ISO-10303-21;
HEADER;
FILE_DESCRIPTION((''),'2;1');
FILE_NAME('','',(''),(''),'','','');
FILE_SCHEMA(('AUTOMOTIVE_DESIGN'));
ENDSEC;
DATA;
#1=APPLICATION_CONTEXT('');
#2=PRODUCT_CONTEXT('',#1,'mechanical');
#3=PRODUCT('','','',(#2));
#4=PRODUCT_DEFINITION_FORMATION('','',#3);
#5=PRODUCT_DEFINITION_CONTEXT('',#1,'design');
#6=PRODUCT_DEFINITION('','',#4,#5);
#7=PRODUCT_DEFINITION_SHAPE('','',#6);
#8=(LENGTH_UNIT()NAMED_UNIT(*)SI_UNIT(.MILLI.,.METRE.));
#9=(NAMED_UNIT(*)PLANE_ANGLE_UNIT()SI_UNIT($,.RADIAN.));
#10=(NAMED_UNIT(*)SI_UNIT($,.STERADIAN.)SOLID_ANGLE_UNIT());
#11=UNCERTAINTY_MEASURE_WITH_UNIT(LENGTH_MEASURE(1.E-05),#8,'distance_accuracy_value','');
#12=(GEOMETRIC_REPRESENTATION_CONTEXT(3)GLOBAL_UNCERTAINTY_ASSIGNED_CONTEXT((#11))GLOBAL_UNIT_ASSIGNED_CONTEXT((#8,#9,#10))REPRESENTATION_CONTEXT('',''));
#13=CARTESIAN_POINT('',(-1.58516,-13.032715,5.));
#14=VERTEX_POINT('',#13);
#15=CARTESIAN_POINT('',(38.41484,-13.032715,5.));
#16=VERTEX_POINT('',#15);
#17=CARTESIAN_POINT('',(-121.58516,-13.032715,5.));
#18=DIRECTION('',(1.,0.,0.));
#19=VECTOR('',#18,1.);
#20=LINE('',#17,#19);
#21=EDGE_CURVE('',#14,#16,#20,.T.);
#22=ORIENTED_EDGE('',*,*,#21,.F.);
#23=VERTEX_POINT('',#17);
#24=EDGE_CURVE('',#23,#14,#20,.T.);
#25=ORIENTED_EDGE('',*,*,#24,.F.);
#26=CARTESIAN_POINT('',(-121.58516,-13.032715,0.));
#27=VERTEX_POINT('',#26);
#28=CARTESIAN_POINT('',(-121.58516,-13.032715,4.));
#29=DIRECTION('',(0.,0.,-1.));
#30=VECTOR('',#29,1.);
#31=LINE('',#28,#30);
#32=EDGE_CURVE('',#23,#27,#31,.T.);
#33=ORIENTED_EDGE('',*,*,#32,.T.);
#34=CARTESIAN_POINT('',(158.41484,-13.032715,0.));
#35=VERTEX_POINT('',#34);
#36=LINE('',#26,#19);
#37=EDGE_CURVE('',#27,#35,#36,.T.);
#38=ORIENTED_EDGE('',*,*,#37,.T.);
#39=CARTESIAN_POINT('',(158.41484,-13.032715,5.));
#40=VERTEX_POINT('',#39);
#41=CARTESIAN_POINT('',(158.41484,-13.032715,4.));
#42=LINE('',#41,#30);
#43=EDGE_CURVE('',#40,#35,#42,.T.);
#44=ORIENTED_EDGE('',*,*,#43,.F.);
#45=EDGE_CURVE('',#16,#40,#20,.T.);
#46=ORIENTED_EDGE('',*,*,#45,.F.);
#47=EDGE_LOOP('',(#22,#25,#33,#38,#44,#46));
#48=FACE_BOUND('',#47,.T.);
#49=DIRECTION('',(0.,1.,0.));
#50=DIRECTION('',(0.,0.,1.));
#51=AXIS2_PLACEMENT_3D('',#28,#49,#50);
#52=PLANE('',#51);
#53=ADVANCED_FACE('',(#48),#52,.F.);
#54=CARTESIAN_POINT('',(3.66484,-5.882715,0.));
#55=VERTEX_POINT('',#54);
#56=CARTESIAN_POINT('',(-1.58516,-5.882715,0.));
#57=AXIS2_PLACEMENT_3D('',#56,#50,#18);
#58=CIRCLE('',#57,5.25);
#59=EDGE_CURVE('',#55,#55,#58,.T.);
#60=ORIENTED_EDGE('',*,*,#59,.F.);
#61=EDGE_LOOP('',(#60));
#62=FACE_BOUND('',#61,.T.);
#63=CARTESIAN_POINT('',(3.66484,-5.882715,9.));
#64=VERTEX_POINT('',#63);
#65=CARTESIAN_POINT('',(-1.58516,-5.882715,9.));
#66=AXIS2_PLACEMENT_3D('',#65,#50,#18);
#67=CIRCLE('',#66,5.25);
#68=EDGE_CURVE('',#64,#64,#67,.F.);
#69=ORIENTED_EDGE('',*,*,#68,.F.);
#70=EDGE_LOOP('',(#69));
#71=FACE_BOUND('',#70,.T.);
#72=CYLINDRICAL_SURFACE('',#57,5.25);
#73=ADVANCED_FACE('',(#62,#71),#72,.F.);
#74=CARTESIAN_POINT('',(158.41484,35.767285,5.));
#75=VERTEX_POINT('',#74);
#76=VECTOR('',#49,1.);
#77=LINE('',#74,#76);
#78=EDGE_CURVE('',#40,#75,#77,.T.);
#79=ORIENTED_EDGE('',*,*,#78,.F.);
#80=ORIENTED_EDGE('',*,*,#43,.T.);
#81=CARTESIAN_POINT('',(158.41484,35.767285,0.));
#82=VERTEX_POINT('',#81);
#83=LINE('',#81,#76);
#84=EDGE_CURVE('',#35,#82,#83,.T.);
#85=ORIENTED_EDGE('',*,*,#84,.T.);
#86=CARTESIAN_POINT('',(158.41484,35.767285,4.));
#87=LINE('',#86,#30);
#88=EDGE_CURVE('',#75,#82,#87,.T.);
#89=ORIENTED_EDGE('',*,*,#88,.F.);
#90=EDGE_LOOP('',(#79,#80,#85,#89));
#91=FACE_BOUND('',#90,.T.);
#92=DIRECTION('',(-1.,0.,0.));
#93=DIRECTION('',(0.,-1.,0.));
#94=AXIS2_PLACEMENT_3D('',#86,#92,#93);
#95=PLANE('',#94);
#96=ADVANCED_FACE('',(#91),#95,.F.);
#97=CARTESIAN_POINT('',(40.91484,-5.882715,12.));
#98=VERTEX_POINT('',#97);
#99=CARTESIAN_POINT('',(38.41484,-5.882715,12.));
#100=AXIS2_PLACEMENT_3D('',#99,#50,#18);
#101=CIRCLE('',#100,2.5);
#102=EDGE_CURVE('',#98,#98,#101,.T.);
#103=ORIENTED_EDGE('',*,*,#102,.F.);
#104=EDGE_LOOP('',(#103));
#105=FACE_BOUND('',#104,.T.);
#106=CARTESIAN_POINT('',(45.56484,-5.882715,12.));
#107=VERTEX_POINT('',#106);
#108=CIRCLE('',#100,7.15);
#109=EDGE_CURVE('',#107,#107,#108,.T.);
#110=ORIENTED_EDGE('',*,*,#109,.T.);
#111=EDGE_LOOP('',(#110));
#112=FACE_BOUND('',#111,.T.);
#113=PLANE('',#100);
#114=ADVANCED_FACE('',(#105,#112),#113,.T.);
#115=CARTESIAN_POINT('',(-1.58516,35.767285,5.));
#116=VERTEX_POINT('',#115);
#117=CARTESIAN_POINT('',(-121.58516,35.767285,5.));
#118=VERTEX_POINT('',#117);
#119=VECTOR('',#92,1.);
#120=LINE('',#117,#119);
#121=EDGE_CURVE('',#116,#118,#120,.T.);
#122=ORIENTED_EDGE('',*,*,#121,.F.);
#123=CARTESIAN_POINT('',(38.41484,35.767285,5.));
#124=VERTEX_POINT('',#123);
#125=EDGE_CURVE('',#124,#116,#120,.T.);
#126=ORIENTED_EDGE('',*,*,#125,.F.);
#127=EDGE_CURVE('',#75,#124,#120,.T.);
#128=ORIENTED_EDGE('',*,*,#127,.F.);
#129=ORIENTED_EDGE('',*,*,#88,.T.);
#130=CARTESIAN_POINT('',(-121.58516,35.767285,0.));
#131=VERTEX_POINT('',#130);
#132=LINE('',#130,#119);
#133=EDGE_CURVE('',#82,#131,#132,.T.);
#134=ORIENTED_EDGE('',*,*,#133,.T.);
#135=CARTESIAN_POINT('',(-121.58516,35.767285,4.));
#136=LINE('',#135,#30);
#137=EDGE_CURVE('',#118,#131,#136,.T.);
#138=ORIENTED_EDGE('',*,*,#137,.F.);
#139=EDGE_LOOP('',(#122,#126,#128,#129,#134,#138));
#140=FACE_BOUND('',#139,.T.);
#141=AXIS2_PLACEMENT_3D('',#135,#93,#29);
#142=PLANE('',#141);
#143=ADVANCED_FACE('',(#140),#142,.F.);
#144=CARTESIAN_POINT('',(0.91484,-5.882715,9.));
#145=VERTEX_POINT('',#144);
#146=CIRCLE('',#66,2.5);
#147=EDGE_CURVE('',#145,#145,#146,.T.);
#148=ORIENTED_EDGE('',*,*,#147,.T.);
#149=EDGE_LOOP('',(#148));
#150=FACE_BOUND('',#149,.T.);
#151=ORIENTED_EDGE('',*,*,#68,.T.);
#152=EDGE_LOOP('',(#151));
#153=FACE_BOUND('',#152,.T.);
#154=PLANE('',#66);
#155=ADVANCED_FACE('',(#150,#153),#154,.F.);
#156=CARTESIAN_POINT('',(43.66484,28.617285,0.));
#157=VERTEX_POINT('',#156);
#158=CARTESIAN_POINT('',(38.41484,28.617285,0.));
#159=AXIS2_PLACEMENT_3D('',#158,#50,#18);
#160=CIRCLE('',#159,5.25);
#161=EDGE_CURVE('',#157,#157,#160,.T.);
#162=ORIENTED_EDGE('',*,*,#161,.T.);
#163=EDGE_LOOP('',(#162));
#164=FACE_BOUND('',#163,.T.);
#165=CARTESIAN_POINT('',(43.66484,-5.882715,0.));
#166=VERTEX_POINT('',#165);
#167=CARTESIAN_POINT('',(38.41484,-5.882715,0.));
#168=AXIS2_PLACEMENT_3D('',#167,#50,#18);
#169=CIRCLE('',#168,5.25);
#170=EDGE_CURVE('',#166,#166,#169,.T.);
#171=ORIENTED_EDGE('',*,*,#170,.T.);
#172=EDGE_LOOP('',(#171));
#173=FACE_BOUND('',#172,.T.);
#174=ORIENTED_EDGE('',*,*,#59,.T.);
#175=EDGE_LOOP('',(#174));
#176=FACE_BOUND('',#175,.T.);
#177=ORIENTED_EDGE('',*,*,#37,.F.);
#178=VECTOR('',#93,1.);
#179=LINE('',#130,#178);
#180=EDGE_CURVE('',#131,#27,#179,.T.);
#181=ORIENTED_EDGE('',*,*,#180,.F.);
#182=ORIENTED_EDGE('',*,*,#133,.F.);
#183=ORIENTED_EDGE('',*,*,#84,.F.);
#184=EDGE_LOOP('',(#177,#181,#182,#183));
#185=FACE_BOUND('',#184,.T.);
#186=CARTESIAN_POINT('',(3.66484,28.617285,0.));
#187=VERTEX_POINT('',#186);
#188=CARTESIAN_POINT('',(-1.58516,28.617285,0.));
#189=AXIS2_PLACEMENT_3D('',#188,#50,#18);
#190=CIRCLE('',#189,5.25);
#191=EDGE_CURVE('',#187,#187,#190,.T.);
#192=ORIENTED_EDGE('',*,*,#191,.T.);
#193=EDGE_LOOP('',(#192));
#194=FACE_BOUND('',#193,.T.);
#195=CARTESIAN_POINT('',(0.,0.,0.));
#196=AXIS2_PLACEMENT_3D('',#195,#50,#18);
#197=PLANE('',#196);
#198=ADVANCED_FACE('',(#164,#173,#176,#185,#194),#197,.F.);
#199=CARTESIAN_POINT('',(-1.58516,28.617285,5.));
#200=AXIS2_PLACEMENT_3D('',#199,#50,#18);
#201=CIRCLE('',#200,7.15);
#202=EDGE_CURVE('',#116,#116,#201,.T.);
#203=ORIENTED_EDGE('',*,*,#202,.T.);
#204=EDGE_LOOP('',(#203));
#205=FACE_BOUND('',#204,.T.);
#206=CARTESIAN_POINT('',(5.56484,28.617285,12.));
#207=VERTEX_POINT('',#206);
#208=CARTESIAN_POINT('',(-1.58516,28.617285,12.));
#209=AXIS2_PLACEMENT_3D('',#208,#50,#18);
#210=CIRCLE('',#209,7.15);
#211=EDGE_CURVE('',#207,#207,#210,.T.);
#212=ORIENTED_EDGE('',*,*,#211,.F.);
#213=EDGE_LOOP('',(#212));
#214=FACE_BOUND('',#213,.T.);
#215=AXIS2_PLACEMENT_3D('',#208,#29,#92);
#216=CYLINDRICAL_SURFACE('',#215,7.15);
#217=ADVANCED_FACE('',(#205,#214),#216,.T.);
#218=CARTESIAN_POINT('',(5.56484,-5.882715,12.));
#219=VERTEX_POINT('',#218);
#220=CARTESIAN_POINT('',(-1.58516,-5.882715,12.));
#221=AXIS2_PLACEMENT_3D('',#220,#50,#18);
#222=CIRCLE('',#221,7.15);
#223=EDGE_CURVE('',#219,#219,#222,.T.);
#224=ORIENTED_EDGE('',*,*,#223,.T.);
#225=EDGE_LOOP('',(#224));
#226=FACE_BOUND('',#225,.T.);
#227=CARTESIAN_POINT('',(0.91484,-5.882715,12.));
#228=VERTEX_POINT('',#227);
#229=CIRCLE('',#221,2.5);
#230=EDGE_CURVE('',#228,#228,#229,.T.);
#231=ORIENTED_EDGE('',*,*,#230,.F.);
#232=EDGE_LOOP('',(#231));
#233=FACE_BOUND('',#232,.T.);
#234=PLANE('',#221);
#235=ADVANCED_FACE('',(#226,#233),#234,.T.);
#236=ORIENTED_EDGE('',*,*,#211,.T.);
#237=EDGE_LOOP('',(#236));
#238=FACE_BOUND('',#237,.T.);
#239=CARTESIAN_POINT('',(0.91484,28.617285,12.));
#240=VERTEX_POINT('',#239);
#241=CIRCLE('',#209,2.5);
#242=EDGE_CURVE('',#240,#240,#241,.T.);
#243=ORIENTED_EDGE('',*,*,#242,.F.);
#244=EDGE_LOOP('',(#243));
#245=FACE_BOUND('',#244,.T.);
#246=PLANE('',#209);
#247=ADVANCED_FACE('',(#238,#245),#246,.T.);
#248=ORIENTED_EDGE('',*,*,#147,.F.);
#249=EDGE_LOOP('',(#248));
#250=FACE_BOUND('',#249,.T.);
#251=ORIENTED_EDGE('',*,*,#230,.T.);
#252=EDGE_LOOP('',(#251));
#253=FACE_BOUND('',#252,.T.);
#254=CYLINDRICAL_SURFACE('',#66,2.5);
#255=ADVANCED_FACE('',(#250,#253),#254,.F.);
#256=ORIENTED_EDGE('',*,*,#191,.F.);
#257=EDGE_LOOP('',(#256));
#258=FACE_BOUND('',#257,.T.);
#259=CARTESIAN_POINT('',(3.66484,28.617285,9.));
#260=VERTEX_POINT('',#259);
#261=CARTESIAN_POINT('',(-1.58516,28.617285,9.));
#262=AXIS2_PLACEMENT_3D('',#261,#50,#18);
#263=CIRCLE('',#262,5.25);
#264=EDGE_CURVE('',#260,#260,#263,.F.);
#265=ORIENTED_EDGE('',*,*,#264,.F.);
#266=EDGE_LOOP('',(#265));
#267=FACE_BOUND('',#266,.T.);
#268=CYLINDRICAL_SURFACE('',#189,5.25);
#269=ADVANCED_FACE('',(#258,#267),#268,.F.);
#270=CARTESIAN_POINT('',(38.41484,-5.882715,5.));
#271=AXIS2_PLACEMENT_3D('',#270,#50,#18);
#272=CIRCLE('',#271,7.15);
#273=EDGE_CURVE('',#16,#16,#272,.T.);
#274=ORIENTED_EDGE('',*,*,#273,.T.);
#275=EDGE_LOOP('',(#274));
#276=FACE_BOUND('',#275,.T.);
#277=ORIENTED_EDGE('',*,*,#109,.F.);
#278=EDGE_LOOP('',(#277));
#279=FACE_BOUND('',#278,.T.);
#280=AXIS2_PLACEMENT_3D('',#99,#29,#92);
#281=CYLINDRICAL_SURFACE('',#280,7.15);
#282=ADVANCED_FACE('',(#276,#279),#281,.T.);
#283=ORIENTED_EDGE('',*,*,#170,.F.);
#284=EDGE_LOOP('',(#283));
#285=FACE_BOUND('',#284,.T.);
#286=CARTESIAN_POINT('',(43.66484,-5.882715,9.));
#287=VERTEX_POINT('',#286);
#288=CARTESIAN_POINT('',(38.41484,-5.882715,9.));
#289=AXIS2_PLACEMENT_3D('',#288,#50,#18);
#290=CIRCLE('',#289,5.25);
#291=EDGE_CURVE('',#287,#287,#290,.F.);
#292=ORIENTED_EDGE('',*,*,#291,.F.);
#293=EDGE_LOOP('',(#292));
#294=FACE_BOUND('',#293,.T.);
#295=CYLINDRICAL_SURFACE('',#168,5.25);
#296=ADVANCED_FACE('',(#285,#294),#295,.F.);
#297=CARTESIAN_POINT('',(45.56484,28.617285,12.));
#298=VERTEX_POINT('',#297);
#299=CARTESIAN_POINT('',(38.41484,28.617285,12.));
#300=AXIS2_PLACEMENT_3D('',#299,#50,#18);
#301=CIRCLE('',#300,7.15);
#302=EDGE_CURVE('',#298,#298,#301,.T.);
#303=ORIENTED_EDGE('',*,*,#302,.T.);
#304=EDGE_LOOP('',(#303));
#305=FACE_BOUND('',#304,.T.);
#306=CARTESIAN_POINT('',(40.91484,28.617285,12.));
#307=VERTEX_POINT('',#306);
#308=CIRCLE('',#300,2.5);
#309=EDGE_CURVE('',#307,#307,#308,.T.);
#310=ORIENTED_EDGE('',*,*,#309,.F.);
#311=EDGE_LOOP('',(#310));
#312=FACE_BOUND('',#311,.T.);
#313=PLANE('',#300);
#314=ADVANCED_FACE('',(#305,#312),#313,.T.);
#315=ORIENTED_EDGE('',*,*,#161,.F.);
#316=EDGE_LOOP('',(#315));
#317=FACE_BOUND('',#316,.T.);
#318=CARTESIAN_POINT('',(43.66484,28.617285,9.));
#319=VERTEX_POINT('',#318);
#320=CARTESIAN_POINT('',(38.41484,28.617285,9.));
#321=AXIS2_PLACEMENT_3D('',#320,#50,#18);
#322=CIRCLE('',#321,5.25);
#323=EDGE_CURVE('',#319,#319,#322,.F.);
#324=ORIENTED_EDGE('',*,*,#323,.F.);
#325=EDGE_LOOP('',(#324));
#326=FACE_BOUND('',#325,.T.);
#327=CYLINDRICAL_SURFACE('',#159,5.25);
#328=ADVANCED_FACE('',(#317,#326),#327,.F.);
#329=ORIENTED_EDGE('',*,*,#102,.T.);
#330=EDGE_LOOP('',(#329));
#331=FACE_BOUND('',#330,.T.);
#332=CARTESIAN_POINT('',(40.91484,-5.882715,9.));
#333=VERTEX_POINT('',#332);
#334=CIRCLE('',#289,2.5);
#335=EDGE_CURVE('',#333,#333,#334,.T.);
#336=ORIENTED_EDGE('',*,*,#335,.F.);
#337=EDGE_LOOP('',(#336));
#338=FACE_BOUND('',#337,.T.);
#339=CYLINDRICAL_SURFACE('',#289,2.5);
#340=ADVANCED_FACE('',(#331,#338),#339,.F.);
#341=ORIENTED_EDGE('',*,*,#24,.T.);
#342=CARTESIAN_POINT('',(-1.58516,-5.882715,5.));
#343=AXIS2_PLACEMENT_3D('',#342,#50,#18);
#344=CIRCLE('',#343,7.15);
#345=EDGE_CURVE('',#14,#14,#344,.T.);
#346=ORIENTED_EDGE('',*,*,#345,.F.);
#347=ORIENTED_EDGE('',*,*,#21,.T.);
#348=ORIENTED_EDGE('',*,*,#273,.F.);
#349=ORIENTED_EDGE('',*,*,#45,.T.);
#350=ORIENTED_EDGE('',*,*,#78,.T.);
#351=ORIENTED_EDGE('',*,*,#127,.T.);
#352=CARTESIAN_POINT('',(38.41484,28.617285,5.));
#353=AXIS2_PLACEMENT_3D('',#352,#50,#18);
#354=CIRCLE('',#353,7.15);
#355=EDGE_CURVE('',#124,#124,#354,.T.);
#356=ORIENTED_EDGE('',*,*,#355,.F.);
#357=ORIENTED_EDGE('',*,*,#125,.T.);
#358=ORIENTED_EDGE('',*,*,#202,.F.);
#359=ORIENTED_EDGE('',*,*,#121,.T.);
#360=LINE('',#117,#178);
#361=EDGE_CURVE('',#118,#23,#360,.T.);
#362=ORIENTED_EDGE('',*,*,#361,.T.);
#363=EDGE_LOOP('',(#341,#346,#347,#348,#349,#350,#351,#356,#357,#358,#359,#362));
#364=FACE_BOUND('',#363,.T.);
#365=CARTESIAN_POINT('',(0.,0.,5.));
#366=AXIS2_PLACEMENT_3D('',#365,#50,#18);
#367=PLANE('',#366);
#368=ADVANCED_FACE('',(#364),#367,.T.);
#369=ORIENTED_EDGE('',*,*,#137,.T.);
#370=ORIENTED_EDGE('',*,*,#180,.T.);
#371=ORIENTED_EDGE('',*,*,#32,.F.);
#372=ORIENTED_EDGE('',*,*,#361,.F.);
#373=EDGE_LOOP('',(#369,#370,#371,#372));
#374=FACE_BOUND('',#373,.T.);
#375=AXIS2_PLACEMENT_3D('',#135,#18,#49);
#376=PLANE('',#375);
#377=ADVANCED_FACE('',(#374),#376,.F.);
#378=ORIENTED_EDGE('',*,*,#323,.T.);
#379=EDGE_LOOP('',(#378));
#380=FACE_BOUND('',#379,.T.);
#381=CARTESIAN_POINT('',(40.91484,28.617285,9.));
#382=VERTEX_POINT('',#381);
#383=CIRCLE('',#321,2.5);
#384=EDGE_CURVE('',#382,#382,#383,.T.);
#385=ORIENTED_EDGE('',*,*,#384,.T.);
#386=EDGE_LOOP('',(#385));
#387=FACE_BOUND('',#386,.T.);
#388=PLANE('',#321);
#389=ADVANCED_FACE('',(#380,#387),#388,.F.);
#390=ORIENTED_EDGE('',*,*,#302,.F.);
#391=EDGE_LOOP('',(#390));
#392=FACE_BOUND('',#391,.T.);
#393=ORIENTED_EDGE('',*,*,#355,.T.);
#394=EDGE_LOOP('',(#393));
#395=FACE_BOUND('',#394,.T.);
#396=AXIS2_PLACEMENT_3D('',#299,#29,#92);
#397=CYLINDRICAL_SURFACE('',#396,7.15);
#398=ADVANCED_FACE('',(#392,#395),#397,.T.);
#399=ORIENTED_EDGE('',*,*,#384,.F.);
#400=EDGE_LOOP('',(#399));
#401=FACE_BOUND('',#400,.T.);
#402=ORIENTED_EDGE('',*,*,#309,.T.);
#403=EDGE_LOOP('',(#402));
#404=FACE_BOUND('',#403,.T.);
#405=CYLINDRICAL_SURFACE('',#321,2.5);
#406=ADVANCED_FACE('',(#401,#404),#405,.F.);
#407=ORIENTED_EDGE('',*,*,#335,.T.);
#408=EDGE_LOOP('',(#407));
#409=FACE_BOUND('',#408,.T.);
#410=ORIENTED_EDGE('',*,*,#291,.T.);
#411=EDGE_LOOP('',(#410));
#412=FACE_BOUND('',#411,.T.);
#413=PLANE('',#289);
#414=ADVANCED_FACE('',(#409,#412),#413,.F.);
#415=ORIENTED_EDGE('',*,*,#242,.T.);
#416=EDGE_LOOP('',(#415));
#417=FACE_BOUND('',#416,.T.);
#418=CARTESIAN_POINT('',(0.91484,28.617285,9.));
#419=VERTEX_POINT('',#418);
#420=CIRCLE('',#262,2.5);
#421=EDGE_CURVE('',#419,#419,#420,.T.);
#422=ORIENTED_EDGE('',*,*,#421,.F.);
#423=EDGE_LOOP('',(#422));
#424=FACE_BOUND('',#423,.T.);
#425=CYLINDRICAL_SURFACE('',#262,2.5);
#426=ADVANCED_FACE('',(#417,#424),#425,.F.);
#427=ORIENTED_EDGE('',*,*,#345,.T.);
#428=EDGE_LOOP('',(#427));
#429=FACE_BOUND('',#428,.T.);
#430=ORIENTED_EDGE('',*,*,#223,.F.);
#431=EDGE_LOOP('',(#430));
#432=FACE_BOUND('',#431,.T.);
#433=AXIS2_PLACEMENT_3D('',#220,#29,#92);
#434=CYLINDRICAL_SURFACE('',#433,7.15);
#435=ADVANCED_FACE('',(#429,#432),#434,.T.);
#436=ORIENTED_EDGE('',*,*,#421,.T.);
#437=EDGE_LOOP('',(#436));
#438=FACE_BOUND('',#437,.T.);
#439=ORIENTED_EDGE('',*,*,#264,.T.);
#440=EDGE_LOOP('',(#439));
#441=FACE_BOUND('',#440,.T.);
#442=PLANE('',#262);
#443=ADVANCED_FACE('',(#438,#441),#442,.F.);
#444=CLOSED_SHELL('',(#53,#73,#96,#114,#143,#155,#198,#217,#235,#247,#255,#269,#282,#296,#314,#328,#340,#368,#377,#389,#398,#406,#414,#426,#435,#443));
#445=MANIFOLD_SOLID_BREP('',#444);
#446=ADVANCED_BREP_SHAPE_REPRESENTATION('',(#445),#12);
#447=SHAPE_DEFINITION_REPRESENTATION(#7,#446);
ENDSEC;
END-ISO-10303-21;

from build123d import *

# Parameters (mm, degrees)
SKETCH1_W           = 280
SKETCH1_H           = 48.8
BOSS_EXTRUDE1_DEPTH = 4
CUT_EXTRUDE1_DEPTH  = 5
SKETCH3_R           = 7.15
SKETCH3_R_2         = 5.25
BOSS_EXTRUDE2_DEPTH = 8
SKETCH4_R           = 7.15
SKETCH4_R_2         = 2.5
BOSS_EXTRUDE3_DEPTH = 3
SKETCH5_W           = 280
SKETCH5_H           = 48.8
BOSS_EXTRUDE6_DEPTH = 1
SKETCH6_R           = 5.25
CUT_EXTRUDE2_DEPTH  = 1


with BuildPart() as part:
    # Sketch1 → Boss-Extrude1 (new body)
    with BuildSketch(Plane.XY):
        with Locations((18.41484, 11.367285)):
            Rectangle(SKETCH1_W, SKETCH1_H)
    extrude(amount=BOSS_EXTRUDE1_DEPTH)

    # Sketch2 → Cut-Extrude1 (cut, through all)
    with BuildSketch(Plane.XY.offset(4)):
        with BuildLine():
            Line((-1.58516, 23.367285), (-1.58516, 28.617285))
            Line((-1.58516, 28.617285), (3.66484, 28.617285))
            ThreePointArc((3.66484, 28.617285), (-5.297471, 32.329596), (-1.58516, 23.367285))
        make_face()
        with BuildLine():
            Line((3.66484, 28.617285), (-1.58516, 28.617285))
            Line((-1.58516, 28.617285), (-1.58516, 23.367285))
            ThreePointArc((-1.58516, 23.367285), (2.12715, 24.904974), (3.66484, 28.617285))
        make_face()
        with BuildLine():
            ThreePointArc((3.66484, -5.882715), (2.12715, -2.170404), (-1.58516, -0.632715))
            Line((-1.58516, -0.632715), (-1.58516, -5.882715))
            Line((-1.58516, -5.882715), (3.66484, -5.882715))
        make_face()
        with BuildLine():
            Line((-1.58516, -5.882715), (-1.58516, -0.632715))
            ThreePointArc((-1.58516, -0.632715), (-5.297471, -9.595026), (3.66484, -5.882715))
            Line((3.66484, -5.882715), (-1.58516, -5.882715))
        make_face()
        with BuildLine():
            ThreePointArc((43.66484, -5.882715), (42.12715, -2.170404), (38.41484, -0.632715))
            Line((38.41484, -0.632715), (38.41484, -5.882715))
            Line((38.41484, -5.882715), (33.16484, -5.882715))
            ThreePointArc((33.16484, -5.882715), (38.41484, -11.132715), (43.66484, -5.882715))
        make_face()
        with BuildLine():
            Line((38.41484, -5.882715), (38.41484, -0.632715))
            ThreePointArc((38.41484, -0.632715), (34.702529, -2.170404), (33.16484, -5.882715))
            Line((33.16484, -5.882715), (38.41484, -5.882715))
        make_face()
        with BuildLine():
            ThreePointArc((43.66484, 28.617285), (38.41484, 33.867285), (33.16484, 28.617285))
            Line((33.16484, 28.617285), (38.41484, 28.617285))
            Line((38.41484, 28.617285), (38.41484, 23.367285))
            ThreePointArc((38.41484, 23.367285), (42.12715, 24.904974), (43.66484, 28.617285))
        make_face()
        with BuildLine():
            Line((38.41484, 28.617285), (33.16484, 28.617285))
            ThreePointArc((33.16484, 28.617285), (34.702529, 24.904974), (38.41484, 23.367285))
            Line((38.41484, 23.367285), (38.41484, 28.617285))
        make_face()
    extrude(amount=-CUT_EXTRUDE1_DEPTH, mode=Mode.SUBTRACT)

    # Sketch3 → Boss-Extrude2 (add)
    with BuildSketch(Plane.XY.offset(4)):
        with Locations((-1.58516, 28.617285)):
            Circle(SKETCH3_R)
        with Locations((-1.58516, 28.617285)):
            Circle(SKETCH3_R_2, mode=Mode.SUBTRACT)
        with Locations((38.41484, 28.617285)):
            Circle(SKETCH3_R)
        with Locations((38.41484, 28.617285)):
            Circle(SKETCH3_R_2, mode=Mode.SUBTRACT)
        with Locations((-1.58516, -5.882715)):
            Circle(SKETCH3_R)
        with Locations((-1.58516, -5.882715)):
            Circle(SKETCH3_R_2, mode=Mode.SUBTRACT)
        with Locations((38.41484, -5.882715)):
            Circle(SKETCH3_R)
        with Locations((38.41484, -5.882715)):
            Circle(SKETCH3_R_2, mode=Mode.SUBTRACT)
    extrude(amount=BOSS_EXTRUDE2_DEPTH)

    # Sketch4 → Boss-Extrude3 (add)
    with BuildSketch(Plane.XY.offset(12)):
        with Locations((-1.58516, 28.617285)):
            Circle(SKETCH4_R)
        with Locations((-1.58516, 28.617285)):
            Circle(SKETCH4_R_2, mode=Mode.SUBTRACT)
        with Locations((38.41484, 28.617285)):
            Circle(SKETCH4_R)
        with Locations((38.41484, 28.617285)):
            Circle(SKETCH4_R_2, mode=Mode.SUBTRACT)
        with Locations((-1.58516, -5.882715)):
            Circle(SKETCH4_R)
        with Locations((-1.58516, -5.882715)):
            Circle(SKETCH4_R_2, mode=Mode.SUBTRACT)
        with Locations((38.41484, -5.882715)):
            Circle(SKETCH4_R)
        with Locations((38.41484, -5.882715)):
            Circle(SKETCH4_R_2, mode=Mode.SUBTRACT)
    extrude(amount=-BOSS_EXTRUDE3_DEPTH)

    # Sketch5 → Boss-Extrude6 (add)
    with BuildSketch(Plane.XY.offset(4)):
        with Locations((18.41484, 11.367285)):
            Rectangle(SKETCH5_W, SKETCH5_H)
    extrude(amount=BOSS_EXTRUDE6_DEPTH)

    # Sketch6 → Cut-Extrude2 (cut)
    with BuildSketch(Plane(origin=(0, 0, 4), x_dir=(-1, 0, 0), z_dir=(0, 0, -1))):
        with Locations((-38.41484, 28.617285)):
            Circle(SKETCH6_R)
        with Locations((1.58516, 28.617285)):
            Circle(SKETCH6_R)
        with Locations((1.58516, -5.882715)):
            Circle(SKETCH6_R)
        with Locations((-38.41484, -5.882715)):
            Circle(SKETCH6_R)
    extrude(amount=-CUT_EXTRUDE2_DEPTH, mode=Mode.SUBTRACT)


solid = part.part
